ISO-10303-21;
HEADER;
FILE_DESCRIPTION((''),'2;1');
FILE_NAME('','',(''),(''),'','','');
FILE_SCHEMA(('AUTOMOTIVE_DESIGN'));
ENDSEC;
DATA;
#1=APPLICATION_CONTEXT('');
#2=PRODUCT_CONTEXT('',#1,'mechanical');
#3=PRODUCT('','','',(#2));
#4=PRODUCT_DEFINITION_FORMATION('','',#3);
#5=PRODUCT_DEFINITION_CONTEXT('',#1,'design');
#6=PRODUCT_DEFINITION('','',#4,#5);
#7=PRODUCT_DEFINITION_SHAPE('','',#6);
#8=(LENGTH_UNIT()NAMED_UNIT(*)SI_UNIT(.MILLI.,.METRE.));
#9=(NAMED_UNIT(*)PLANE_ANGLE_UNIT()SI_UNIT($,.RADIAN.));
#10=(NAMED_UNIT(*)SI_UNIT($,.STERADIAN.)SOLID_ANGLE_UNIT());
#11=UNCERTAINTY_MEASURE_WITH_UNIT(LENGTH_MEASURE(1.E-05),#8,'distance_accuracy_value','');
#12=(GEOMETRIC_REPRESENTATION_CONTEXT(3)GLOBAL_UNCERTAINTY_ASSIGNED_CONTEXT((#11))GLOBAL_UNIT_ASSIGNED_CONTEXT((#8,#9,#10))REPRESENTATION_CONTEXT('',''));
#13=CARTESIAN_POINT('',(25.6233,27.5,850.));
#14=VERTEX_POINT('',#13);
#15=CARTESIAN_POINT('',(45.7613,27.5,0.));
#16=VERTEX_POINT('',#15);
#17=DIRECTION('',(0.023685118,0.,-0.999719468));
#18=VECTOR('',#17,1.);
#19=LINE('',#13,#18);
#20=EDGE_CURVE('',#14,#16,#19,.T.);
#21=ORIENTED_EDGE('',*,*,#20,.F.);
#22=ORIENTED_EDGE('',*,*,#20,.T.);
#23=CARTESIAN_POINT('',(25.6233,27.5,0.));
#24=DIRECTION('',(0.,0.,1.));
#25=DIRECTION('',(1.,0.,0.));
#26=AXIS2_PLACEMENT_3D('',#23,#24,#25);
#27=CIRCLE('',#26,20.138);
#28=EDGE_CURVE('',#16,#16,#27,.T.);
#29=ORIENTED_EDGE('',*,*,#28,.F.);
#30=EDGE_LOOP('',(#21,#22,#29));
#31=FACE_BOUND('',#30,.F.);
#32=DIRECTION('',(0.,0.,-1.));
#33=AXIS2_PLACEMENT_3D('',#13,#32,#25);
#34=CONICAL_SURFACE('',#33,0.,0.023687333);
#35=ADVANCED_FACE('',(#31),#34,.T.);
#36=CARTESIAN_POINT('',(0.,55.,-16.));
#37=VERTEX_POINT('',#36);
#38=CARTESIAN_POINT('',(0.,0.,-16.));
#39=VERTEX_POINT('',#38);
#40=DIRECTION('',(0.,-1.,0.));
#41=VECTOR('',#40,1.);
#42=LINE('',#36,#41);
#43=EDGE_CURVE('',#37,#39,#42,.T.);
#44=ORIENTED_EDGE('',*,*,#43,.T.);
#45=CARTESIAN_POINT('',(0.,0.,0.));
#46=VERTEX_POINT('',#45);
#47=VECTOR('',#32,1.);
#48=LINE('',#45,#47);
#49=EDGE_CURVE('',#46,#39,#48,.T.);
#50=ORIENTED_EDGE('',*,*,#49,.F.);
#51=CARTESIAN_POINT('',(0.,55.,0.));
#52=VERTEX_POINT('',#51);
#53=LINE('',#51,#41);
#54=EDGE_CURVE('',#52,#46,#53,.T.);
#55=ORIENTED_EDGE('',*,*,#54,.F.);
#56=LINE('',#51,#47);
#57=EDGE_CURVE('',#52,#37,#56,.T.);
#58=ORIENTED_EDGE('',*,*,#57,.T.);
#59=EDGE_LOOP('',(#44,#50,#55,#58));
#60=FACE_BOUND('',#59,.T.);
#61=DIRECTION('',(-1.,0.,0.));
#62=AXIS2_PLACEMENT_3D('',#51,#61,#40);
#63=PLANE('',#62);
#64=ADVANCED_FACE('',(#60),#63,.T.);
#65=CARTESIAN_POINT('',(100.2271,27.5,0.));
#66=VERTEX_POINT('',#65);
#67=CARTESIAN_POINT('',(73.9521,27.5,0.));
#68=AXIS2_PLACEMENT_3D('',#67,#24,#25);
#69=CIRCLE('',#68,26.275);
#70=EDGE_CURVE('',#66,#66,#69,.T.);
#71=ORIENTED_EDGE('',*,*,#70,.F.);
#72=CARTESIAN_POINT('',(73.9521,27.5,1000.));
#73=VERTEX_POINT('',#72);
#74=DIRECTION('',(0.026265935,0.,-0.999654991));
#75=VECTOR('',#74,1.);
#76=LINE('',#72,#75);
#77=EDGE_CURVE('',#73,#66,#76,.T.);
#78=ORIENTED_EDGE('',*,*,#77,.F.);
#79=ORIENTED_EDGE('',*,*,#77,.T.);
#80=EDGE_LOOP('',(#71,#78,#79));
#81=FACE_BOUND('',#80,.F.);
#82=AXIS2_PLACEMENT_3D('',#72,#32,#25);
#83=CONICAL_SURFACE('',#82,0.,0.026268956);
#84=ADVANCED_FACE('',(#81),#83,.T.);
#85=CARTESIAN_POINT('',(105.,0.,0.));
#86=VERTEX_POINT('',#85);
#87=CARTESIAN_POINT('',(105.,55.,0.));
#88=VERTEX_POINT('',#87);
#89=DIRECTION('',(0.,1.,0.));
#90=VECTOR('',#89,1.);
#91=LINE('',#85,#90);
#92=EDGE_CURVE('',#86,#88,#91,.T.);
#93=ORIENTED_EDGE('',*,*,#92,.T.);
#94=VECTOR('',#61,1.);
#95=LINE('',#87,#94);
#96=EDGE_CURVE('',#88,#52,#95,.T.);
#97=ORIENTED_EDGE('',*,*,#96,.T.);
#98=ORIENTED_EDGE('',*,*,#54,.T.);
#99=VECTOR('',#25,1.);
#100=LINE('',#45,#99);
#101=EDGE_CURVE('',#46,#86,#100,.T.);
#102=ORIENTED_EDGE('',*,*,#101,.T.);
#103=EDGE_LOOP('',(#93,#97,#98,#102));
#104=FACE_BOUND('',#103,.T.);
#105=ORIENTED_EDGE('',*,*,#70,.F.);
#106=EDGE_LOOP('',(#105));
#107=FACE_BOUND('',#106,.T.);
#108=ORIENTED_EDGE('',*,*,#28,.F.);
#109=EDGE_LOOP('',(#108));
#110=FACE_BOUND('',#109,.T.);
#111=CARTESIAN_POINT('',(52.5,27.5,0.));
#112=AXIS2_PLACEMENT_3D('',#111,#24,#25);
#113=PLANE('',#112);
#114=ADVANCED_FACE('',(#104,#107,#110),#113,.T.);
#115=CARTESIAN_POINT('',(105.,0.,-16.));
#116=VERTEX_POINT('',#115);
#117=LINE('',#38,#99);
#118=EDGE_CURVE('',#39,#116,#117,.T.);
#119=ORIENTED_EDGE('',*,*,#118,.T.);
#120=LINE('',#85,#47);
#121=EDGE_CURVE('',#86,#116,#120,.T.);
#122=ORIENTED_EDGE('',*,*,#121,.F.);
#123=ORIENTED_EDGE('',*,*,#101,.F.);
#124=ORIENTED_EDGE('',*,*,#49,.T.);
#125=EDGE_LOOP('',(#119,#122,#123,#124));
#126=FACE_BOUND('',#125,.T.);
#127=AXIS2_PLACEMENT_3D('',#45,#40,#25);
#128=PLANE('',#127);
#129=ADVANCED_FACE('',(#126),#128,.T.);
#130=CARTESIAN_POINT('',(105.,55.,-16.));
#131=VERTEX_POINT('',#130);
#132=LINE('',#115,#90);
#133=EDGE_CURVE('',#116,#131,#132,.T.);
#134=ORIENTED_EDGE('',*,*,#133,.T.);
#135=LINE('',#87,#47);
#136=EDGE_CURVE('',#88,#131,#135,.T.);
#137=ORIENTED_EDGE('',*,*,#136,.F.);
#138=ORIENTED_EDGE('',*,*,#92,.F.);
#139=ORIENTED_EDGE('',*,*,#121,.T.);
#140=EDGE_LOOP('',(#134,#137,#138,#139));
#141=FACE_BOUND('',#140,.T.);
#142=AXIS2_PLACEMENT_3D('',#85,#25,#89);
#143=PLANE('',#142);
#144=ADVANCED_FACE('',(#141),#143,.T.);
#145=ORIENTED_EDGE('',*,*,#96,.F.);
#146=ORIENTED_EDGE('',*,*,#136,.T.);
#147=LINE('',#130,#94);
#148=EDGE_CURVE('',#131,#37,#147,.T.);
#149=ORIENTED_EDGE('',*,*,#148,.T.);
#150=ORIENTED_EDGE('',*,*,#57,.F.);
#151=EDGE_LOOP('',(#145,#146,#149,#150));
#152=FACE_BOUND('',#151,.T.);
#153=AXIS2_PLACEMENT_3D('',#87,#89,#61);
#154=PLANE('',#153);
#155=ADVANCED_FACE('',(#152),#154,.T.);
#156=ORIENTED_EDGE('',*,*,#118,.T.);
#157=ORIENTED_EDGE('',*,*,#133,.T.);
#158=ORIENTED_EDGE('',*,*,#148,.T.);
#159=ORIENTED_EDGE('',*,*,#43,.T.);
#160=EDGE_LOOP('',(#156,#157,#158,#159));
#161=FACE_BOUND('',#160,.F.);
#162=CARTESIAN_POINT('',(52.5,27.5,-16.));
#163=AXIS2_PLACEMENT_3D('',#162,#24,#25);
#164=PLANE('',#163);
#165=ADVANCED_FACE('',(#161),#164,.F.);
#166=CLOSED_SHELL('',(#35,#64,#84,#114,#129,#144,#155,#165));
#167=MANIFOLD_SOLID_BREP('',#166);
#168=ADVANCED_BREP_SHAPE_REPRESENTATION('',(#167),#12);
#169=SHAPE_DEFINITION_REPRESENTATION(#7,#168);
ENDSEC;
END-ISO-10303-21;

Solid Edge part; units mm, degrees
sketch "Sketch1" plane through (0, 0, 0) normal (0, 0, 1) x (1, 0, 0)
  line L0 (0, 0) -> (105, 0)
  line L1 (105, 0) -> (105, 55)
  line L2 (105, 55) -> (0, 55)
  line L3 (0, 55) -> (0, 0)
extrude "Protrusion1" add sketch "Sketch1" against normal blind 16
sketch "Sketch2" plane through (52.5, 27.5, -8) normal (0, -1, 0) x (1, 0, 0)
  line L0 (-26.8767, 858) -> (-6.7387, 8)
  line L1 (-6.7387, 8) -> (-26.8767, 8)
  line L2 (-26.8767, 8) -> (-26.8767, 858)
revolve "RevolvedProtrusion1" add sketch "Sketch2" angle 360 about axis through (25.6233, 27.5, 0) along (0, 0, 1)
sketch "Sketch3" plane through (52.5, 27.5, -8) normal (0, -1, 0) x (1, 0, 0)
  line L0 (21.4521, 1008) -> (47.7271, 8)
  line L1 (47.7271, 8) -> (21.4521, 8)
  line L2 (21.4521, 8) -> (21.4521, 1008)
revolve "RevolvedProtrusion2" add sketch "Sketch3" angle 360 about axis through (73.9521, 27.5, 0) along (0, 0, 1)
